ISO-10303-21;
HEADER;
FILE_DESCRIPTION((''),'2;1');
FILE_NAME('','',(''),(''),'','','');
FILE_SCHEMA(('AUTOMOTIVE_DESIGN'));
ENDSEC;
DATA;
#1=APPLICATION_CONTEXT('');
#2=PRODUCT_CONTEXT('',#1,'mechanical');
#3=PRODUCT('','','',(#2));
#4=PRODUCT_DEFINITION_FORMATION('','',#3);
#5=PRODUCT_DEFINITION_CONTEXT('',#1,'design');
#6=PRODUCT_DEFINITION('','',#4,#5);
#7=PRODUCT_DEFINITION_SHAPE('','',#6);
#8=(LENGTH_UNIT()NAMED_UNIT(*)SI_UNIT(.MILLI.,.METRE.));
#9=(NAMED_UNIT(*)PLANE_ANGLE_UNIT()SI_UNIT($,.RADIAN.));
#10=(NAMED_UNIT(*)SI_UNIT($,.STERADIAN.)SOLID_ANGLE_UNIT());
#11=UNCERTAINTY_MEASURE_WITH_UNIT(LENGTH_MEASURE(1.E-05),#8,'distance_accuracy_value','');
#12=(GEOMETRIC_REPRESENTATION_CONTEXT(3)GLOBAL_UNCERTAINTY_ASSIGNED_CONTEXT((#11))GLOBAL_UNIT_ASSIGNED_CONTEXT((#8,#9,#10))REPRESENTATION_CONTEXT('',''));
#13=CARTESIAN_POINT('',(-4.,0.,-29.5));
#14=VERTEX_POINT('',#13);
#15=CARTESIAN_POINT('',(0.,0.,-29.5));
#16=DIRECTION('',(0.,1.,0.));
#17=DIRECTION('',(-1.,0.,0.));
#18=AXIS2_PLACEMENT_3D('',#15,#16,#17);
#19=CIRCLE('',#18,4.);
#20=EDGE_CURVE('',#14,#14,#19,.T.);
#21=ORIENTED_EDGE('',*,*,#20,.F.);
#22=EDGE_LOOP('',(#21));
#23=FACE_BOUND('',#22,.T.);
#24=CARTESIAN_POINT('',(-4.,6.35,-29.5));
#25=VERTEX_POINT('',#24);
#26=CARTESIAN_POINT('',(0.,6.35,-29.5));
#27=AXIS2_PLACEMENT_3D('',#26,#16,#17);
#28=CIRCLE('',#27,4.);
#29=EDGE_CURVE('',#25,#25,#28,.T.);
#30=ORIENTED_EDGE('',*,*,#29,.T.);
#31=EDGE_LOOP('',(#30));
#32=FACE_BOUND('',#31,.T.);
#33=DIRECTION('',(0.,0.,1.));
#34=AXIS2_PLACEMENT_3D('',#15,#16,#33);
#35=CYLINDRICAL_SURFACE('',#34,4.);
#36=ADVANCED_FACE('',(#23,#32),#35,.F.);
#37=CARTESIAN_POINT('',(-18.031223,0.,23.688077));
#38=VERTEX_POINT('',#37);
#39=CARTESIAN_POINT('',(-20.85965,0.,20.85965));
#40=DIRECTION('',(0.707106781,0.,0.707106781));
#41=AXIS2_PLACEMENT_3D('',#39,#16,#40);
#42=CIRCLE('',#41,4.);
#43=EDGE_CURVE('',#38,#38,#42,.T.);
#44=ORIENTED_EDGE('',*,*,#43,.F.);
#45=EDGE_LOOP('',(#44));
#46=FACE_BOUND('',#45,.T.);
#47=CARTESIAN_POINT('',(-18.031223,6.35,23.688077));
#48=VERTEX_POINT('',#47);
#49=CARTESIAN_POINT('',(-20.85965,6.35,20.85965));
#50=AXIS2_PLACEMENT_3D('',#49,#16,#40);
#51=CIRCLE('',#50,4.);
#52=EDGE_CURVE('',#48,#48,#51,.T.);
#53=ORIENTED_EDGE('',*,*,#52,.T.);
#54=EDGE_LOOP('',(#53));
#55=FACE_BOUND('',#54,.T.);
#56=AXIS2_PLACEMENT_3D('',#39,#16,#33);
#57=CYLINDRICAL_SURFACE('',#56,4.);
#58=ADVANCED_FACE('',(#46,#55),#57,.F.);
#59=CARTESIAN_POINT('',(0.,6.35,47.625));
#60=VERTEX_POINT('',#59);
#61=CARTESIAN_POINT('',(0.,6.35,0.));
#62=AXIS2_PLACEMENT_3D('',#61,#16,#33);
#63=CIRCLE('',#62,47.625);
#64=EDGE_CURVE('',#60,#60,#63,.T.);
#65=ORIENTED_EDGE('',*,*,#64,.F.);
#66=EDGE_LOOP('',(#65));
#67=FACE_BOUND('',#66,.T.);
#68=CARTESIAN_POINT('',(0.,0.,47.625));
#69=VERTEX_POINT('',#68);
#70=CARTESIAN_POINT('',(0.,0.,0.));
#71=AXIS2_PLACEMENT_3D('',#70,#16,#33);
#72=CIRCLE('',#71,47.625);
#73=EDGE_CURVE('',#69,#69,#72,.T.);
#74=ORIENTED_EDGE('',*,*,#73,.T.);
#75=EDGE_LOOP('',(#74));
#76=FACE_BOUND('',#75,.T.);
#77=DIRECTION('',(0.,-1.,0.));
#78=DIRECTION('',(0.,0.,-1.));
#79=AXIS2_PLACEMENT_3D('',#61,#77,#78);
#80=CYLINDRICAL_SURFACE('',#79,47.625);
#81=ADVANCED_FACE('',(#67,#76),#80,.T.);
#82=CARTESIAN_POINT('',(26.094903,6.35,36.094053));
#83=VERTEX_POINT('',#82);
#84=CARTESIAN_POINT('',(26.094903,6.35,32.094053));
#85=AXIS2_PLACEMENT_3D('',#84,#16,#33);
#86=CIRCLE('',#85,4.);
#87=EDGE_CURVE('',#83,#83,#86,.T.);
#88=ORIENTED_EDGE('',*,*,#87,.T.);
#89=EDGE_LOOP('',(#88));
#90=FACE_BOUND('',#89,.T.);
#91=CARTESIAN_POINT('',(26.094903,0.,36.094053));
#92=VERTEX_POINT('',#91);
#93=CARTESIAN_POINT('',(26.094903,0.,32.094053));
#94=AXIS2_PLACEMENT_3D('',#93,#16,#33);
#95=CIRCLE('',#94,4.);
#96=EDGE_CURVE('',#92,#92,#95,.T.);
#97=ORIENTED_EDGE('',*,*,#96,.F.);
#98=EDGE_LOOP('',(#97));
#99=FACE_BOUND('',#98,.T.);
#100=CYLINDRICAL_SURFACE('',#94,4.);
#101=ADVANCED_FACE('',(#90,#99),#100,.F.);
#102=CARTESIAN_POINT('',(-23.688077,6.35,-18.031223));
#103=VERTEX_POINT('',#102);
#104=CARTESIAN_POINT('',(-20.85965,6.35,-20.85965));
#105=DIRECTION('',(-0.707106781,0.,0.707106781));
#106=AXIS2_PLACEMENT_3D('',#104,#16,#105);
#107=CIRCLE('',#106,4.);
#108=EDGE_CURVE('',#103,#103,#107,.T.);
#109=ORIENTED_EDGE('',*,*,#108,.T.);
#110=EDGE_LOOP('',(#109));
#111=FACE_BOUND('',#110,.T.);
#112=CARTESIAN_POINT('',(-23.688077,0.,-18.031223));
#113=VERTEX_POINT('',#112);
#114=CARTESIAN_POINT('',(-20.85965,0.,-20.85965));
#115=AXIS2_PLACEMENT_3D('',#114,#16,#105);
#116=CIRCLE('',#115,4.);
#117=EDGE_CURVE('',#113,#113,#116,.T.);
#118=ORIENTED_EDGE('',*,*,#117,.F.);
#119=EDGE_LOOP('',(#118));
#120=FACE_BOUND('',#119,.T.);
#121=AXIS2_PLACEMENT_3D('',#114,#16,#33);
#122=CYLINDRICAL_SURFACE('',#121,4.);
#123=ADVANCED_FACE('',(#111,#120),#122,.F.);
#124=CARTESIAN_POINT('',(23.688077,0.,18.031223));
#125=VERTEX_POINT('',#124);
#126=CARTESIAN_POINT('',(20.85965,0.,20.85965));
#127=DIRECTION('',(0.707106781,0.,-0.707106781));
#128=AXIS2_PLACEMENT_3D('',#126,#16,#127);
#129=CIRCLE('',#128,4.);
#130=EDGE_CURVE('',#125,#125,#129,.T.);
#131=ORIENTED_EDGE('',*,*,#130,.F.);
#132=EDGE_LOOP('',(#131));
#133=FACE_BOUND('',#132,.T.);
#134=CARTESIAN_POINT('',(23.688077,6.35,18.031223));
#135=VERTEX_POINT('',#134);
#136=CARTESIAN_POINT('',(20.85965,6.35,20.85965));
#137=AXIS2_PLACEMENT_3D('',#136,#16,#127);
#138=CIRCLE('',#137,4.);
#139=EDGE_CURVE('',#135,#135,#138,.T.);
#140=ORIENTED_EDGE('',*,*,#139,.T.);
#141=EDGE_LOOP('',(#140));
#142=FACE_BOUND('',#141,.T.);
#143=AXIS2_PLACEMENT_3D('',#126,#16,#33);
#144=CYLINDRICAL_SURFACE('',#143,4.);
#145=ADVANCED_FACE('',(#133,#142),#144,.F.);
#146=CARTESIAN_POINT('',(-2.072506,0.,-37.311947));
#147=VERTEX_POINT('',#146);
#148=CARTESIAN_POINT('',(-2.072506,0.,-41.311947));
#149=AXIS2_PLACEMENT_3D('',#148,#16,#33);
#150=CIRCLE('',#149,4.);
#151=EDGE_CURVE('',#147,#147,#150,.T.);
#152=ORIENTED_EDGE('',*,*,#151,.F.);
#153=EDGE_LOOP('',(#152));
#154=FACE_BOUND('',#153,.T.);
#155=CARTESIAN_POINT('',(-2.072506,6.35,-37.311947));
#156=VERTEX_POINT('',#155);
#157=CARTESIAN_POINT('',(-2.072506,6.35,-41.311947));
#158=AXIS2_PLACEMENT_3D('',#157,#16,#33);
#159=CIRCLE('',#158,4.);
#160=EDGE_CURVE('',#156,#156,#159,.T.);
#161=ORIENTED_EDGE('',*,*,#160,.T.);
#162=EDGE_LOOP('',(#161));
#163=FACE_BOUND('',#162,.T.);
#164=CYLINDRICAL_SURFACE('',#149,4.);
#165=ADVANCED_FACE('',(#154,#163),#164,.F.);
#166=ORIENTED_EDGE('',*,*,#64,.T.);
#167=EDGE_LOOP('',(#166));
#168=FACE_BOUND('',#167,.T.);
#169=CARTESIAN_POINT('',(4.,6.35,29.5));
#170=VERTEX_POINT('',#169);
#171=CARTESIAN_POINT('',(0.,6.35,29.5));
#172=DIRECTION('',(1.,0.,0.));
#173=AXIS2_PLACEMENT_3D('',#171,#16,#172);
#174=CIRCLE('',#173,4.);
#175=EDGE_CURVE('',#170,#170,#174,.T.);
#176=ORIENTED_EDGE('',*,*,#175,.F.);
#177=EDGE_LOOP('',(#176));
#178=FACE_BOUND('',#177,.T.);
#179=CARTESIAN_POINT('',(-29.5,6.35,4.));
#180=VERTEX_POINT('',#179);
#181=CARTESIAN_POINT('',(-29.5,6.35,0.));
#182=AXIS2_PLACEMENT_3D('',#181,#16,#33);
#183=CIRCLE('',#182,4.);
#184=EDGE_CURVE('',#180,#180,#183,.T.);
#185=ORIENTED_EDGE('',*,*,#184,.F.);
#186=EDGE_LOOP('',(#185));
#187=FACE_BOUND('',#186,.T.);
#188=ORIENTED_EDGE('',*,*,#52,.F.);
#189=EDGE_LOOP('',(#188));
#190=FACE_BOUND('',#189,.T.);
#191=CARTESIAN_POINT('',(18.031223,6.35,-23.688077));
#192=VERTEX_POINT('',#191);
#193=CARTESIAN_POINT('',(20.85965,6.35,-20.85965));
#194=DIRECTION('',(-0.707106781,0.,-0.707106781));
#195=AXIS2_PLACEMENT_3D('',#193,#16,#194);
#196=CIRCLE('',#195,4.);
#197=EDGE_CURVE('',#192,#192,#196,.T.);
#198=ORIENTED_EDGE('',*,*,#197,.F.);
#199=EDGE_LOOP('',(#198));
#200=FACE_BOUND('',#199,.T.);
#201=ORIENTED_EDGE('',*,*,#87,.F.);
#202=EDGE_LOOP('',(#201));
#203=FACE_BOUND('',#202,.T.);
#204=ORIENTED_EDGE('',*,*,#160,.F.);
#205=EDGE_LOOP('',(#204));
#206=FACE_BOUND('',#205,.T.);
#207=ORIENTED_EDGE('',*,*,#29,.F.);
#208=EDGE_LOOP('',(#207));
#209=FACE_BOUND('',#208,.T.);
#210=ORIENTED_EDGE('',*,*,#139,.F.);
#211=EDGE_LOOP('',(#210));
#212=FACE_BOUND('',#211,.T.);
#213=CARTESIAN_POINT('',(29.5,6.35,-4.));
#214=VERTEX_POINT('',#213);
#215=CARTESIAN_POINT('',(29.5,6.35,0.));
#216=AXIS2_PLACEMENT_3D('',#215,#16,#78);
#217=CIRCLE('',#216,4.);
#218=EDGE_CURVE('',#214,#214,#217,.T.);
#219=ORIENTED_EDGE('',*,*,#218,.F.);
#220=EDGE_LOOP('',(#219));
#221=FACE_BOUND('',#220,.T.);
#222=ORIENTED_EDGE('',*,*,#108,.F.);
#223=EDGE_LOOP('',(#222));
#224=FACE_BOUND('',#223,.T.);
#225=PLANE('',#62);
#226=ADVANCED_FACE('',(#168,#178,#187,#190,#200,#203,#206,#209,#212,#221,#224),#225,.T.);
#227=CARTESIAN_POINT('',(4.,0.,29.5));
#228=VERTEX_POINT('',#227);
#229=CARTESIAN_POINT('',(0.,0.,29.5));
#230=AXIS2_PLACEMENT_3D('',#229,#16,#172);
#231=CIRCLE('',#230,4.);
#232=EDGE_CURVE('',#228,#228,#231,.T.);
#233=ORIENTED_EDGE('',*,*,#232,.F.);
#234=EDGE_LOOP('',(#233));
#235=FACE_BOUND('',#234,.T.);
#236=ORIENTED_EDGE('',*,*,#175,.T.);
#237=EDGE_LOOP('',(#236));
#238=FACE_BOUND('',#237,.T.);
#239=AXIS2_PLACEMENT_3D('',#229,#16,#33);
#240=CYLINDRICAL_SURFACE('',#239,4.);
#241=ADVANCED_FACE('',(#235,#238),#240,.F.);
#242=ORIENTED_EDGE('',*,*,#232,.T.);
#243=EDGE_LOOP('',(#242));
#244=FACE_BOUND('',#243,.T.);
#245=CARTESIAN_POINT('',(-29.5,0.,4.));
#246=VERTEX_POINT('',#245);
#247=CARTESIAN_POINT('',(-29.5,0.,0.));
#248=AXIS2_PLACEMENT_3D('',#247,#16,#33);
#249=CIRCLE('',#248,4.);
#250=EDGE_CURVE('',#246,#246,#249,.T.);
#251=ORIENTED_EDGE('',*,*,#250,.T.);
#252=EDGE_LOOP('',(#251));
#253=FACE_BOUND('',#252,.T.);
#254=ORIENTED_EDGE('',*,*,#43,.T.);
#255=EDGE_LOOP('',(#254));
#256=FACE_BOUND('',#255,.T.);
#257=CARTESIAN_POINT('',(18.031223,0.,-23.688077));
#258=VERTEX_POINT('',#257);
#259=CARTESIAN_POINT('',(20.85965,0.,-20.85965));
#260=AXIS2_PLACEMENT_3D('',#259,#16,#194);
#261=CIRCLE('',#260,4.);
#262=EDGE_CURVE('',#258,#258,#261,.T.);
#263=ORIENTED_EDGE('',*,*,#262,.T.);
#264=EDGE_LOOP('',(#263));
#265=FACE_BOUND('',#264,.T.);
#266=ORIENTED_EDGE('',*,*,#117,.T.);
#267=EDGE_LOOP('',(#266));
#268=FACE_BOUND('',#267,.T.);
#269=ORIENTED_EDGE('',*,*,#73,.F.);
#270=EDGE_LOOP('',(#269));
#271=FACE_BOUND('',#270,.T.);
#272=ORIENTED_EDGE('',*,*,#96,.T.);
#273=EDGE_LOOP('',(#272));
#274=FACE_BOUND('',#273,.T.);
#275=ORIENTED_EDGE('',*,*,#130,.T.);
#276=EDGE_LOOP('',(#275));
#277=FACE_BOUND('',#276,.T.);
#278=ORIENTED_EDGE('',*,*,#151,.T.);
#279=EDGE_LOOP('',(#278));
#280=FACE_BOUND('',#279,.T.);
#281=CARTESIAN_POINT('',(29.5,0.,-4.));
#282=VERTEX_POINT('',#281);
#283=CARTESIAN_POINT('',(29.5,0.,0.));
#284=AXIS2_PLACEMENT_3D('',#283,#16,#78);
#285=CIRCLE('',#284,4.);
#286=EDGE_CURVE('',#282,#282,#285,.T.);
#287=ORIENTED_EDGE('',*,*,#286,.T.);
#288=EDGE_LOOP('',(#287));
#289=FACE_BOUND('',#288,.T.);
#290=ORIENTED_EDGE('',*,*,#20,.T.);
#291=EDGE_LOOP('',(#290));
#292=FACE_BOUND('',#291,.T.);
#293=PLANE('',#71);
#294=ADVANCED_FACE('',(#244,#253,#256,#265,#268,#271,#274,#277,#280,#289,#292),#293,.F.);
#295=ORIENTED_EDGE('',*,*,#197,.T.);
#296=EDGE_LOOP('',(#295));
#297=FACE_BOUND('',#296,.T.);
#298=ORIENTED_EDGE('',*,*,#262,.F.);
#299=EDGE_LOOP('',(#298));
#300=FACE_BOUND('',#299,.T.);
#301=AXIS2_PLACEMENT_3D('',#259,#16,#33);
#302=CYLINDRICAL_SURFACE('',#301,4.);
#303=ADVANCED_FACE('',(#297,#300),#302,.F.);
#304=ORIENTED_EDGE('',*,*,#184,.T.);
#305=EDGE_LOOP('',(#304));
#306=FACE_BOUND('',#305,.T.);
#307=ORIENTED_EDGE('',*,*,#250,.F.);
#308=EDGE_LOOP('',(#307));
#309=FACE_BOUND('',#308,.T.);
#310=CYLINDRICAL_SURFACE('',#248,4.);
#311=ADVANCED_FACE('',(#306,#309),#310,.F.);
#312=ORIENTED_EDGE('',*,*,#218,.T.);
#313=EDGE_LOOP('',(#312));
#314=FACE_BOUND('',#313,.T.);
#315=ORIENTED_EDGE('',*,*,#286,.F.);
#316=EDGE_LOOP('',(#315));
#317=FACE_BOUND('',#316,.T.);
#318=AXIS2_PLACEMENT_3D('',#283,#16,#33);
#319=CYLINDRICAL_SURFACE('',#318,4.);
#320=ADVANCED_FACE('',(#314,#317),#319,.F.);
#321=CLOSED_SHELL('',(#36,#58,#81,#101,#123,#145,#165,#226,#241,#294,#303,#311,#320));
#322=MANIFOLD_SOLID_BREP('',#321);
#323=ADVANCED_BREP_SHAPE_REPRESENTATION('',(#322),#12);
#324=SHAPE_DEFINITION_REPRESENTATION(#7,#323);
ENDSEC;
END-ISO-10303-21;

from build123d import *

# Parameters (mm, degrees)
SKETCH1_R           = 47.625
BOSS_EXTRUDE2_DEPTH = 6.35
SKETCH4_R           = 4
CUT_EXTRUDE1_DEPTH  = 68.650600515
CIRPATTERN2_COUNT   = 8
SKETCH5_R           = 4
CUT_EXTRUDE2_DEPTH  = 68.650600515
SKETCH6_R           = 4
CUT_EXTRUDE4_DEPTH  = 68.650600515


with BuildPart() as part:
    # Sketch1 → Boss-Extrude2 (new body)
    with BuildSketch(Plane(origin=(0, 0, 0), x_dir=(1, 0, 0), z_dir=(0, 1, 0))):
        Circle(SKETCH1_R)
    extrude(amount=BOSS_EXTRUDE2_DEPTH)

    # Sketch4 → Cut-Extrude1 (cut, through all)
    with BuildSketch(Plane(origin=(0, 6.35, 0), x_dir=(1, 0, 0), z_dir=(0, 1, 0))):
        with Locations((-29.5, 0)):
            Circle(SKETCH4_R)
    cut_extrude1 = extrude(amount=-CUT_EXTRUDE1_DEPTH, mode=Mode.SUBTRACT)

    # CirPattern2: Cut-Extrude1 ×8 about axis
    cirpattern2_axis = Axis((0, 6.35, 0), (0, 1, 0))
    for i in range(1, CIRPATTERN2_COUNT):
        add(cut_extrude1.rotate(cirpattern2_axis, i * 360 / CIRPATTERN2_COUNT), mode=Mode.SUBTRACT)

    # Sketch5 → Cut-Extrude2 (cut, through all)
    with BuildSketch(Plane(origin=(0, 6.35, 0), x_dir=(1, 0, 0), z_dir=(0, 1, 0))):
        with Locations((-2.072505689, 41.311946739)):
            Circle(SKETCH5_R)
    extrude(amount=-CUT_EXTRUDE2_DEPTH, mode=Mode.SUBTRACT)

    # Sketch6 → Cut-Extrude4 (cut, through all)
    with BuildSketch(Plane(origin=(0, 6.35, 0), x_dir=(1, 0, 0), z_dir=(0, 1, 0))):
        with Locations((26.094903113, -32.094053261)):
            Circle(SKETCH6_R)
    extrude(amount=-CUT_EXTRUDE4_DEPTH, mode=Mode.SUBTRACT)


solid = part.part
